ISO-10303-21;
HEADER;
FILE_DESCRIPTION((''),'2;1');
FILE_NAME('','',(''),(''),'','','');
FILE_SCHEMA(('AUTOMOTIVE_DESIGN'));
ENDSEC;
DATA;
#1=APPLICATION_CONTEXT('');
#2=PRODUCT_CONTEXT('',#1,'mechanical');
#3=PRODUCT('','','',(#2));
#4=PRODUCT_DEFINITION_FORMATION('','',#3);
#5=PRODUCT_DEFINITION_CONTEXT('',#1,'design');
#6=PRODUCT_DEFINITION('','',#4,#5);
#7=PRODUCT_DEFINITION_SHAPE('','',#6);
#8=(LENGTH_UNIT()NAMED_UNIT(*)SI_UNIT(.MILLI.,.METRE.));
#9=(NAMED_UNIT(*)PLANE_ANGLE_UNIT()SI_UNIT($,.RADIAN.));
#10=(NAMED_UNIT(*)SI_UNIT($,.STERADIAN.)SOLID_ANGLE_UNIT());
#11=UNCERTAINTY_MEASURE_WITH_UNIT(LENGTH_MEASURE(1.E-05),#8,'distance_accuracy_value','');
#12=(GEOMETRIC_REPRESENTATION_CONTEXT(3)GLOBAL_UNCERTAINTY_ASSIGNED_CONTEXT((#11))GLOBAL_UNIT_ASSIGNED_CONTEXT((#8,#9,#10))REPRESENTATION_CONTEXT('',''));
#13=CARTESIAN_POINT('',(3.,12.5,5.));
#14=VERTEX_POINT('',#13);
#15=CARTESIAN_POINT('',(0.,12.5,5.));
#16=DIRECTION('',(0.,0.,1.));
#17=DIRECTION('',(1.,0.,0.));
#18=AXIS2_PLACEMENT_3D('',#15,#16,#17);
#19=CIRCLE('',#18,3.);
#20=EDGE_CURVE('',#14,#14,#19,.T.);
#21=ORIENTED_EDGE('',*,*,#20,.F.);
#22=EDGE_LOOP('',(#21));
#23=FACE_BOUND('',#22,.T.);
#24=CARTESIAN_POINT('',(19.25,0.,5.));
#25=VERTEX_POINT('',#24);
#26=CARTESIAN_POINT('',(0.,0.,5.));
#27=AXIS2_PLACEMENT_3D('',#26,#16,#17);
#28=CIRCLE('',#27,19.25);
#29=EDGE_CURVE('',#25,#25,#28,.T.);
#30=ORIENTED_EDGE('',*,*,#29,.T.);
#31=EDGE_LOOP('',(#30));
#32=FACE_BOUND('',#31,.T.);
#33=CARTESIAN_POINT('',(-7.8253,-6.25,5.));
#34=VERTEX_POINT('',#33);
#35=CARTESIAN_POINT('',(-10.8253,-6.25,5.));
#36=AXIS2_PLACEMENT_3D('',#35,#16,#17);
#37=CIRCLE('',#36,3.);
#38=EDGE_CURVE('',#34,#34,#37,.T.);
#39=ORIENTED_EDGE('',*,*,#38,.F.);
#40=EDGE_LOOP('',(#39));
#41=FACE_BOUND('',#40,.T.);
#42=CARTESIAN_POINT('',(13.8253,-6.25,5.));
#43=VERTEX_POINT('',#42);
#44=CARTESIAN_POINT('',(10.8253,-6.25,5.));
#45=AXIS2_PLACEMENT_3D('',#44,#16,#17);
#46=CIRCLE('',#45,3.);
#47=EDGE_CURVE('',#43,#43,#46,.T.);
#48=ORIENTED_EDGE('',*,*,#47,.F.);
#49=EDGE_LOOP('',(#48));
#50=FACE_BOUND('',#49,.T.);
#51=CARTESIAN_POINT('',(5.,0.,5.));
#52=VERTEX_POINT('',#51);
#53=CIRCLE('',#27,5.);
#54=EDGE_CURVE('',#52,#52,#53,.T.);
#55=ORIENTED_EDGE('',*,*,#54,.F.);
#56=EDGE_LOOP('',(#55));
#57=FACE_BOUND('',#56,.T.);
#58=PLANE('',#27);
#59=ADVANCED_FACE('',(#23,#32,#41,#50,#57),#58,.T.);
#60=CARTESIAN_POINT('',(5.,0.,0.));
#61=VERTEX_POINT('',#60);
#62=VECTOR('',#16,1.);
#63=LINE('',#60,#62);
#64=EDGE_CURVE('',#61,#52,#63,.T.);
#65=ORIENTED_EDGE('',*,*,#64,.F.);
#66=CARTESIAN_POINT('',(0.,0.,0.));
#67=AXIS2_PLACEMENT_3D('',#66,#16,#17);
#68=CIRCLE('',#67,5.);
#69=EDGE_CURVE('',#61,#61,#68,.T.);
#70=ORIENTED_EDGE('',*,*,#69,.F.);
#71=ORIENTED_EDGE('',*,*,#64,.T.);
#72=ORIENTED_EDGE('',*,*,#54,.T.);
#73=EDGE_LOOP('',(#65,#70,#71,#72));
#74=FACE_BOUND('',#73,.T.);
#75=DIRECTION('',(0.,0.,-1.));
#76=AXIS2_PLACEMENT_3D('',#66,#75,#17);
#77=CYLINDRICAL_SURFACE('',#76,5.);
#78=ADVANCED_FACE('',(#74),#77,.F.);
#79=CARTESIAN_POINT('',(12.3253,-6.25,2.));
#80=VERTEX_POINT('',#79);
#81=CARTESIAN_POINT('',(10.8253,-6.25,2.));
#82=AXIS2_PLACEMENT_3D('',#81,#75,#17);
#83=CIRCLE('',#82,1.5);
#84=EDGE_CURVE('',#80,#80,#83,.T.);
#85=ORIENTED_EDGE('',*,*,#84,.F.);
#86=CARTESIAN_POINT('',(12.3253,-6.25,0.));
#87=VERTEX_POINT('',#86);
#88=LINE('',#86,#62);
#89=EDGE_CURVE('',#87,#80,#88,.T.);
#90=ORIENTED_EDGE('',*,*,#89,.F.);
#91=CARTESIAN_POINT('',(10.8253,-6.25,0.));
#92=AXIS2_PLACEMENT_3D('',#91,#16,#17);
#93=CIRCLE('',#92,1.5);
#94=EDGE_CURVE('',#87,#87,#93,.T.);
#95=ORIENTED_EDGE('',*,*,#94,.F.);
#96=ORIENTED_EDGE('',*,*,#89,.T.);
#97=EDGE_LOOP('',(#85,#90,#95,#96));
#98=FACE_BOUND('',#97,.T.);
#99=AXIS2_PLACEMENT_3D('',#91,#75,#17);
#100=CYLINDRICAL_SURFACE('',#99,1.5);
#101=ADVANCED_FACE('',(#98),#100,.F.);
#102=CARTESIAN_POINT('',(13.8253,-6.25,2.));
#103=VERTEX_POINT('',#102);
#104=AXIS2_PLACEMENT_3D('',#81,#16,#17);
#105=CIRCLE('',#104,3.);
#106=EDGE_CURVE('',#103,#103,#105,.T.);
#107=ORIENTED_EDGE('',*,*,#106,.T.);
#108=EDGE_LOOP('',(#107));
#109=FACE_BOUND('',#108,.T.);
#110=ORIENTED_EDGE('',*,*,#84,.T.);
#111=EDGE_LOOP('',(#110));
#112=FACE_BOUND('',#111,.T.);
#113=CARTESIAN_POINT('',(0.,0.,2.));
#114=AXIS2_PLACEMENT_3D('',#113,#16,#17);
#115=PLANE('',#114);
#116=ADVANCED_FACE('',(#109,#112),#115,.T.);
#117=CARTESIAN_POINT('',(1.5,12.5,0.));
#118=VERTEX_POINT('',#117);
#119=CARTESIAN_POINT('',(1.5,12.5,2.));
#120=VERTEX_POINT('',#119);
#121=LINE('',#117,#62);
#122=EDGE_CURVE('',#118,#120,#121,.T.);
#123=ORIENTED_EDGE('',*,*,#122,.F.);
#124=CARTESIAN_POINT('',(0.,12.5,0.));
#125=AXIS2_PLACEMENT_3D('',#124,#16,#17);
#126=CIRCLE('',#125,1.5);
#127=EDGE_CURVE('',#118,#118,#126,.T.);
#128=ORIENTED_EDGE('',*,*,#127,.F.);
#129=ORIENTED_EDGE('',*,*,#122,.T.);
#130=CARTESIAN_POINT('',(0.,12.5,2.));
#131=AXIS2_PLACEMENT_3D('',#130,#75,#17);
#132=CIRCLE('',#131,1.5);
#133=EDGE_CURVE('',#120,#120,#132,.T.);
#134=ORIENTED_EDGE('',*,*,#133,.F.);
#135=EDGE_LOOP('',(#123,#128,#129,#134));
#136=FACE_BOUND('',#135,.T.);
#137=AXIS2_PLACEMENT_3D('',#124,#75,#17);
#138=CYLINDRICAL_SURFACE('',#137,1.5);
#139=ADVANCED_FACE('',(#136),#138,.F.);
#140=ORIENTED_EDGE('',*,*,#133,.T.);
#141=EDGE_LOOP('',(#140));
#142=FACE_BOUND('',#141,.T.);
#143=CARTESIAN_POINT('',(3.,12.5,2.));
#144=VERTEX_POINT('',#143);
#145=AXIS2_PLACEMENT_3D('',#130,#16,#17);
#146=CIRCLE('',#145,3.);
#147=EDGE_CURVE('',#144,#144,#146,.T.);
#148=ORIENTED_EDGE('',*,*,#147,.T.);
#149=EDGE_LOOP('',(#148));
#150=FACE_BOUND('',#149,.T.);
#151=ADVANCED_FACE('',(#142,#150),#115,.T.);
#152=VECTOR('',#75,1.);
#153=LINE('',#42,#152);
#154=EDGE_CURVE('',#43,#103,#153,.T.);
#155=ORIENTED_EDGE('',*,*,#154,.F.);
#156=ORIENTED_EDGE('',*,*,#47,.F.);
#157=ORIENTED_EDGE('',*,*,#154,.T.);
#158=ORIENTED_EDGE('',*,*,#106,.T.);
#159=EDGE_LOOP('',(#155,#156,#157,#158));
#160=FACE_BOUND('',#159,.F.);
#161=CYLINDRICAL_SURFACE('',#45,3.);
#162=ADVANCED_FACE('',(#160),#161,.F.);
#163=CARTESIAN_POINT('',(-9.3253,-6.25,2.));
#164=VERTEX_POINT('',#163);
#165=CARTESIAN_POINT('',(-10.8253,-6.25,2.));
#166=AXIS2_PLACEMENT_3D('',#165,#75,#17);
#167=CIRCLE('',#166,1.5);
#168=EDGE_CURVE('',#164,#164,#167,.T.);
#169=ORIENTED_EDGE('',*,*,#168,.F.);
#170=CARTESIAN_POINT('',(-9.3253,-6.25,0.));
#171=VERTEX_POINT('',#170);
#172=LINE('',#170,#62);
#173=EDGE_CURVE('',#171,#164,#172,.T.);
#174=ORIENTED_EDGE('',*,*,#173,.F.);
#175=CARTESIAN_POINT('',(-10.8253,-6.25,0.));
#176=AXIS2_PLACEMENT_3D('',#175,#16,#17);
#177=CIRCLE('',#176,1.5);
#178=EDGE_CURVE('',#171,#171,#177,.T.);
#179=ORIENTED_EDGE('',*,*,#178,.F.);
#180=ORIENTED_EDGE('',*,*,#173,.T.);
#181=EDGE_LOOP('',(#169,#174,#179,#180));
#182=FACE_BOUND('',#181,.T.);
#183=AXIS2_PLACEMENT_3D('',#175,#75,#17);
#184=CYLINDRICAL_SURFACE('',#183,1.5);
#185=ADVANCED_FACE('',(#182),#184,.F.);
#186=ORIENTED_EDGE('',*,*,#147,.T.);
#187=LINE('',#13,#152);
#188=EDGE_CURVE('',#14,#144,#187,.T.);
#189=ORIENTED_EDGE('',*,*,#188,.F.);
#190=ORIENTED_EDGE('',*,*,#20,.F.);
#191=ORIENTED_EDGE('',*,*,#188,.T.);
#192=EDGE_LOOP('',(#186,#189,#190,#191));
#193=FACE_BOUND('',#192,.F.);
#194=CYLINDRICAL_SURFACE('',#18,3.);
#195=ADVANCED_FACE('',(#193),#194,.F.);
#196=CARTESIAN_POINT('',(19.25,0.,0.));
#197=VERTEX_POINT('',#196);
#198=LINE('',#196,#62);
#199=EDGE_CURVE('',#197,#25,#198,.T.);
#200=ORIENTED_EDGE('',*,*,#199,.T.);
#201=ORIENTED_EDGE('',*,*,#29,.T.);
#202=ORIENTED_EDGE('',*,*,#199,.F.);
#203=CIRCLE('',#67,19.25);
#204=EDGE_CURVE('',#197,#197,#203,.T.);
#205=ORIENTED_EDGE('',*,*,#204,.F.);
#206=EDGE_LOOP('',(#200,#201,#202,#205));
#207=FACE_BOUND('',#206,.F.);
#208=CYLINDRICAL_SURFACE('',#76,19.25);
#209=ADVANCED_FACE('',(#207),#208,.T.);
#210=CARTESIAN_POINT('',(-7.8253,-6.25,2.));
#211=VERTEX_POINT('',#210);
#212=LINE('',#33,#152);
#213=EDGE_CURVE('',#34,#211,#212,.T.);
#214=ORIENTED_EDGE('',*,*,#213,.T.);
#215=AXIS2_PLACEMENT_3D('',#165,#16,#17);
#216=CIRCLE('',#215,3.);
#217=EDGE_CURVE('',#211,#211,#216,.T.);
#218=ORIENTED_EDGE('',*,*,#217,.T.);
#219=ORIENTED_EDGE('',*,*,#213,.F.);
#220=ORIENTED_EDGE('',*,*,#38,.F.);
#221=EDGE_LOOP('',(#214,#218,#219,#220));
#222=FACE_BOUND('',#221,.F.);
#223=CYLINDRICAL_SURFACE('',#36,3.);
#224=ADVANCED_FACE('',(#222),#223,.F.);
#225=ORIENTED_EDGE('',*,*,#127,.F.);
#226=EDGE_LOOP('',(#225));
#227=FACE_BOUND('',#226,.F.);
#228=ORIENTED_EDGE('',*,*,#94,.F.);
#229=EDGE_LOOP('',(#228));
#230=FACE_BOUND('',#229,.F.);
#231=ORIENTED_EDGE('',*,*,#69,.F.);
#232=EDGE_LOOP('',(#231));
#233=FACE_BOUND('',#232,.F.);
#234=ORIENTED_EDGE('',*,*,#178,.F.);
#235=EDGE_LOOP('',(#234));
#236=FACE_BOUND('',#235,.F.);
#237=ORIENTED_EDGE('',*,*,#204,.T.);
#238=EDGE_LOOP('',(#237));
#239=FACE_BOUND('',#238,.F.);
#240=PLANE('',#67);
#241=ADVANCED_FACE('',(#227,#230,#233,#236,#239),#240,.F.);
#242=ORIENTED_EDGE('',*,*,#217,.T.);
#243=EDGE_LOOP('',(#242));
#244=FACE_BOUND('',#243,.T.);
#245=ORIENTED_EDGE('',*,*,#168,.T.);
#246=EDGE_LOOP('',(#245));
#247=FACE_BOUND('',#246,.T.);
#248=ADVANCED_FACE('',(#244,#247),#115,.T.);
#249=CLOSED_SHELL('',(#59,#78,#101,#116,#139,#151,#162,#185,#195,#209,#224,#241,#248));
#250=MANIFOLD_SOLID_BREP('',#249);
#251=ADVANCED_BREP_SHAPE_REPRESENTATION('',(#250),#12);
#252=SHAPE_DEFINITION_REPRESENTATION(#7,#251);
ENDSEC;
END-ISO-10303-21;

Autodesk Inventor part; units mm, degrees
ref_plane "YZ Plane" through (0, 0, 0) normal (1, 0, 0) x (0, 1, 0)
ref_plane "XZ Plane" through (0, 0, 0) normal (0, 1, 0) x (-1, 0, 0)
ref_plane "XY Plane" through (0, 0, 0) normal (0, 0, 1) x (1, 0, 0)
sketch "Sketch1" plane through (0, 0, 0) normal (0, 0, 1) x (1, 0, 0)
  circle A0 centre (0, 0) radius 19.25
  circle A1 centre (0, 12.5) radius 1.5
  circle A2 centre (-10.8253, -6.25) radius 1.5
  circle A3 centre (10.8253, -6.25) radius 1.5
  circle A4 centre (0, 0) radius 5
  dimension "d0" = 38.5
  dimension "d1" = 3
  dimension "d4" = 360
  dimension "d6" = 12.5
  dimension "d7" = 10
extrude "Extrusion1" add sketch "Sketch1" along normal blind 5
sketch "Sketch2" plane through (0, 0, 5) normal (0, 0, 1) x (1, 0, 0)
  circle A0 centre (0, 12.5) radius 1.5 projected
  circle A1 centre (10.8253, -6.25) radius 1.5 projected
  circle A2 centre (-10.8253, -6.25) radius 1.5 projected
  circle A3 centre (0, 12.5) radius 3
  circle A4 centre (10.8253, -6.25) radius 1.5 projected
  circle A5 centre (10.8253, -6.25) radius 3
  circle A6 centre (-10.8253, -6.25) radius 3
  point P0 (0, 0)
  dimension "d10" = 6
  dimension "d11" = 6
  dimension "d12" = 6
extrude "Extrusion2" cut sketch "Sketch2" against normal blind 3 contours A0 | A1 | A2 | A3 | A5 | A6
properties part number "SJ018" material "ABS Plastic"
